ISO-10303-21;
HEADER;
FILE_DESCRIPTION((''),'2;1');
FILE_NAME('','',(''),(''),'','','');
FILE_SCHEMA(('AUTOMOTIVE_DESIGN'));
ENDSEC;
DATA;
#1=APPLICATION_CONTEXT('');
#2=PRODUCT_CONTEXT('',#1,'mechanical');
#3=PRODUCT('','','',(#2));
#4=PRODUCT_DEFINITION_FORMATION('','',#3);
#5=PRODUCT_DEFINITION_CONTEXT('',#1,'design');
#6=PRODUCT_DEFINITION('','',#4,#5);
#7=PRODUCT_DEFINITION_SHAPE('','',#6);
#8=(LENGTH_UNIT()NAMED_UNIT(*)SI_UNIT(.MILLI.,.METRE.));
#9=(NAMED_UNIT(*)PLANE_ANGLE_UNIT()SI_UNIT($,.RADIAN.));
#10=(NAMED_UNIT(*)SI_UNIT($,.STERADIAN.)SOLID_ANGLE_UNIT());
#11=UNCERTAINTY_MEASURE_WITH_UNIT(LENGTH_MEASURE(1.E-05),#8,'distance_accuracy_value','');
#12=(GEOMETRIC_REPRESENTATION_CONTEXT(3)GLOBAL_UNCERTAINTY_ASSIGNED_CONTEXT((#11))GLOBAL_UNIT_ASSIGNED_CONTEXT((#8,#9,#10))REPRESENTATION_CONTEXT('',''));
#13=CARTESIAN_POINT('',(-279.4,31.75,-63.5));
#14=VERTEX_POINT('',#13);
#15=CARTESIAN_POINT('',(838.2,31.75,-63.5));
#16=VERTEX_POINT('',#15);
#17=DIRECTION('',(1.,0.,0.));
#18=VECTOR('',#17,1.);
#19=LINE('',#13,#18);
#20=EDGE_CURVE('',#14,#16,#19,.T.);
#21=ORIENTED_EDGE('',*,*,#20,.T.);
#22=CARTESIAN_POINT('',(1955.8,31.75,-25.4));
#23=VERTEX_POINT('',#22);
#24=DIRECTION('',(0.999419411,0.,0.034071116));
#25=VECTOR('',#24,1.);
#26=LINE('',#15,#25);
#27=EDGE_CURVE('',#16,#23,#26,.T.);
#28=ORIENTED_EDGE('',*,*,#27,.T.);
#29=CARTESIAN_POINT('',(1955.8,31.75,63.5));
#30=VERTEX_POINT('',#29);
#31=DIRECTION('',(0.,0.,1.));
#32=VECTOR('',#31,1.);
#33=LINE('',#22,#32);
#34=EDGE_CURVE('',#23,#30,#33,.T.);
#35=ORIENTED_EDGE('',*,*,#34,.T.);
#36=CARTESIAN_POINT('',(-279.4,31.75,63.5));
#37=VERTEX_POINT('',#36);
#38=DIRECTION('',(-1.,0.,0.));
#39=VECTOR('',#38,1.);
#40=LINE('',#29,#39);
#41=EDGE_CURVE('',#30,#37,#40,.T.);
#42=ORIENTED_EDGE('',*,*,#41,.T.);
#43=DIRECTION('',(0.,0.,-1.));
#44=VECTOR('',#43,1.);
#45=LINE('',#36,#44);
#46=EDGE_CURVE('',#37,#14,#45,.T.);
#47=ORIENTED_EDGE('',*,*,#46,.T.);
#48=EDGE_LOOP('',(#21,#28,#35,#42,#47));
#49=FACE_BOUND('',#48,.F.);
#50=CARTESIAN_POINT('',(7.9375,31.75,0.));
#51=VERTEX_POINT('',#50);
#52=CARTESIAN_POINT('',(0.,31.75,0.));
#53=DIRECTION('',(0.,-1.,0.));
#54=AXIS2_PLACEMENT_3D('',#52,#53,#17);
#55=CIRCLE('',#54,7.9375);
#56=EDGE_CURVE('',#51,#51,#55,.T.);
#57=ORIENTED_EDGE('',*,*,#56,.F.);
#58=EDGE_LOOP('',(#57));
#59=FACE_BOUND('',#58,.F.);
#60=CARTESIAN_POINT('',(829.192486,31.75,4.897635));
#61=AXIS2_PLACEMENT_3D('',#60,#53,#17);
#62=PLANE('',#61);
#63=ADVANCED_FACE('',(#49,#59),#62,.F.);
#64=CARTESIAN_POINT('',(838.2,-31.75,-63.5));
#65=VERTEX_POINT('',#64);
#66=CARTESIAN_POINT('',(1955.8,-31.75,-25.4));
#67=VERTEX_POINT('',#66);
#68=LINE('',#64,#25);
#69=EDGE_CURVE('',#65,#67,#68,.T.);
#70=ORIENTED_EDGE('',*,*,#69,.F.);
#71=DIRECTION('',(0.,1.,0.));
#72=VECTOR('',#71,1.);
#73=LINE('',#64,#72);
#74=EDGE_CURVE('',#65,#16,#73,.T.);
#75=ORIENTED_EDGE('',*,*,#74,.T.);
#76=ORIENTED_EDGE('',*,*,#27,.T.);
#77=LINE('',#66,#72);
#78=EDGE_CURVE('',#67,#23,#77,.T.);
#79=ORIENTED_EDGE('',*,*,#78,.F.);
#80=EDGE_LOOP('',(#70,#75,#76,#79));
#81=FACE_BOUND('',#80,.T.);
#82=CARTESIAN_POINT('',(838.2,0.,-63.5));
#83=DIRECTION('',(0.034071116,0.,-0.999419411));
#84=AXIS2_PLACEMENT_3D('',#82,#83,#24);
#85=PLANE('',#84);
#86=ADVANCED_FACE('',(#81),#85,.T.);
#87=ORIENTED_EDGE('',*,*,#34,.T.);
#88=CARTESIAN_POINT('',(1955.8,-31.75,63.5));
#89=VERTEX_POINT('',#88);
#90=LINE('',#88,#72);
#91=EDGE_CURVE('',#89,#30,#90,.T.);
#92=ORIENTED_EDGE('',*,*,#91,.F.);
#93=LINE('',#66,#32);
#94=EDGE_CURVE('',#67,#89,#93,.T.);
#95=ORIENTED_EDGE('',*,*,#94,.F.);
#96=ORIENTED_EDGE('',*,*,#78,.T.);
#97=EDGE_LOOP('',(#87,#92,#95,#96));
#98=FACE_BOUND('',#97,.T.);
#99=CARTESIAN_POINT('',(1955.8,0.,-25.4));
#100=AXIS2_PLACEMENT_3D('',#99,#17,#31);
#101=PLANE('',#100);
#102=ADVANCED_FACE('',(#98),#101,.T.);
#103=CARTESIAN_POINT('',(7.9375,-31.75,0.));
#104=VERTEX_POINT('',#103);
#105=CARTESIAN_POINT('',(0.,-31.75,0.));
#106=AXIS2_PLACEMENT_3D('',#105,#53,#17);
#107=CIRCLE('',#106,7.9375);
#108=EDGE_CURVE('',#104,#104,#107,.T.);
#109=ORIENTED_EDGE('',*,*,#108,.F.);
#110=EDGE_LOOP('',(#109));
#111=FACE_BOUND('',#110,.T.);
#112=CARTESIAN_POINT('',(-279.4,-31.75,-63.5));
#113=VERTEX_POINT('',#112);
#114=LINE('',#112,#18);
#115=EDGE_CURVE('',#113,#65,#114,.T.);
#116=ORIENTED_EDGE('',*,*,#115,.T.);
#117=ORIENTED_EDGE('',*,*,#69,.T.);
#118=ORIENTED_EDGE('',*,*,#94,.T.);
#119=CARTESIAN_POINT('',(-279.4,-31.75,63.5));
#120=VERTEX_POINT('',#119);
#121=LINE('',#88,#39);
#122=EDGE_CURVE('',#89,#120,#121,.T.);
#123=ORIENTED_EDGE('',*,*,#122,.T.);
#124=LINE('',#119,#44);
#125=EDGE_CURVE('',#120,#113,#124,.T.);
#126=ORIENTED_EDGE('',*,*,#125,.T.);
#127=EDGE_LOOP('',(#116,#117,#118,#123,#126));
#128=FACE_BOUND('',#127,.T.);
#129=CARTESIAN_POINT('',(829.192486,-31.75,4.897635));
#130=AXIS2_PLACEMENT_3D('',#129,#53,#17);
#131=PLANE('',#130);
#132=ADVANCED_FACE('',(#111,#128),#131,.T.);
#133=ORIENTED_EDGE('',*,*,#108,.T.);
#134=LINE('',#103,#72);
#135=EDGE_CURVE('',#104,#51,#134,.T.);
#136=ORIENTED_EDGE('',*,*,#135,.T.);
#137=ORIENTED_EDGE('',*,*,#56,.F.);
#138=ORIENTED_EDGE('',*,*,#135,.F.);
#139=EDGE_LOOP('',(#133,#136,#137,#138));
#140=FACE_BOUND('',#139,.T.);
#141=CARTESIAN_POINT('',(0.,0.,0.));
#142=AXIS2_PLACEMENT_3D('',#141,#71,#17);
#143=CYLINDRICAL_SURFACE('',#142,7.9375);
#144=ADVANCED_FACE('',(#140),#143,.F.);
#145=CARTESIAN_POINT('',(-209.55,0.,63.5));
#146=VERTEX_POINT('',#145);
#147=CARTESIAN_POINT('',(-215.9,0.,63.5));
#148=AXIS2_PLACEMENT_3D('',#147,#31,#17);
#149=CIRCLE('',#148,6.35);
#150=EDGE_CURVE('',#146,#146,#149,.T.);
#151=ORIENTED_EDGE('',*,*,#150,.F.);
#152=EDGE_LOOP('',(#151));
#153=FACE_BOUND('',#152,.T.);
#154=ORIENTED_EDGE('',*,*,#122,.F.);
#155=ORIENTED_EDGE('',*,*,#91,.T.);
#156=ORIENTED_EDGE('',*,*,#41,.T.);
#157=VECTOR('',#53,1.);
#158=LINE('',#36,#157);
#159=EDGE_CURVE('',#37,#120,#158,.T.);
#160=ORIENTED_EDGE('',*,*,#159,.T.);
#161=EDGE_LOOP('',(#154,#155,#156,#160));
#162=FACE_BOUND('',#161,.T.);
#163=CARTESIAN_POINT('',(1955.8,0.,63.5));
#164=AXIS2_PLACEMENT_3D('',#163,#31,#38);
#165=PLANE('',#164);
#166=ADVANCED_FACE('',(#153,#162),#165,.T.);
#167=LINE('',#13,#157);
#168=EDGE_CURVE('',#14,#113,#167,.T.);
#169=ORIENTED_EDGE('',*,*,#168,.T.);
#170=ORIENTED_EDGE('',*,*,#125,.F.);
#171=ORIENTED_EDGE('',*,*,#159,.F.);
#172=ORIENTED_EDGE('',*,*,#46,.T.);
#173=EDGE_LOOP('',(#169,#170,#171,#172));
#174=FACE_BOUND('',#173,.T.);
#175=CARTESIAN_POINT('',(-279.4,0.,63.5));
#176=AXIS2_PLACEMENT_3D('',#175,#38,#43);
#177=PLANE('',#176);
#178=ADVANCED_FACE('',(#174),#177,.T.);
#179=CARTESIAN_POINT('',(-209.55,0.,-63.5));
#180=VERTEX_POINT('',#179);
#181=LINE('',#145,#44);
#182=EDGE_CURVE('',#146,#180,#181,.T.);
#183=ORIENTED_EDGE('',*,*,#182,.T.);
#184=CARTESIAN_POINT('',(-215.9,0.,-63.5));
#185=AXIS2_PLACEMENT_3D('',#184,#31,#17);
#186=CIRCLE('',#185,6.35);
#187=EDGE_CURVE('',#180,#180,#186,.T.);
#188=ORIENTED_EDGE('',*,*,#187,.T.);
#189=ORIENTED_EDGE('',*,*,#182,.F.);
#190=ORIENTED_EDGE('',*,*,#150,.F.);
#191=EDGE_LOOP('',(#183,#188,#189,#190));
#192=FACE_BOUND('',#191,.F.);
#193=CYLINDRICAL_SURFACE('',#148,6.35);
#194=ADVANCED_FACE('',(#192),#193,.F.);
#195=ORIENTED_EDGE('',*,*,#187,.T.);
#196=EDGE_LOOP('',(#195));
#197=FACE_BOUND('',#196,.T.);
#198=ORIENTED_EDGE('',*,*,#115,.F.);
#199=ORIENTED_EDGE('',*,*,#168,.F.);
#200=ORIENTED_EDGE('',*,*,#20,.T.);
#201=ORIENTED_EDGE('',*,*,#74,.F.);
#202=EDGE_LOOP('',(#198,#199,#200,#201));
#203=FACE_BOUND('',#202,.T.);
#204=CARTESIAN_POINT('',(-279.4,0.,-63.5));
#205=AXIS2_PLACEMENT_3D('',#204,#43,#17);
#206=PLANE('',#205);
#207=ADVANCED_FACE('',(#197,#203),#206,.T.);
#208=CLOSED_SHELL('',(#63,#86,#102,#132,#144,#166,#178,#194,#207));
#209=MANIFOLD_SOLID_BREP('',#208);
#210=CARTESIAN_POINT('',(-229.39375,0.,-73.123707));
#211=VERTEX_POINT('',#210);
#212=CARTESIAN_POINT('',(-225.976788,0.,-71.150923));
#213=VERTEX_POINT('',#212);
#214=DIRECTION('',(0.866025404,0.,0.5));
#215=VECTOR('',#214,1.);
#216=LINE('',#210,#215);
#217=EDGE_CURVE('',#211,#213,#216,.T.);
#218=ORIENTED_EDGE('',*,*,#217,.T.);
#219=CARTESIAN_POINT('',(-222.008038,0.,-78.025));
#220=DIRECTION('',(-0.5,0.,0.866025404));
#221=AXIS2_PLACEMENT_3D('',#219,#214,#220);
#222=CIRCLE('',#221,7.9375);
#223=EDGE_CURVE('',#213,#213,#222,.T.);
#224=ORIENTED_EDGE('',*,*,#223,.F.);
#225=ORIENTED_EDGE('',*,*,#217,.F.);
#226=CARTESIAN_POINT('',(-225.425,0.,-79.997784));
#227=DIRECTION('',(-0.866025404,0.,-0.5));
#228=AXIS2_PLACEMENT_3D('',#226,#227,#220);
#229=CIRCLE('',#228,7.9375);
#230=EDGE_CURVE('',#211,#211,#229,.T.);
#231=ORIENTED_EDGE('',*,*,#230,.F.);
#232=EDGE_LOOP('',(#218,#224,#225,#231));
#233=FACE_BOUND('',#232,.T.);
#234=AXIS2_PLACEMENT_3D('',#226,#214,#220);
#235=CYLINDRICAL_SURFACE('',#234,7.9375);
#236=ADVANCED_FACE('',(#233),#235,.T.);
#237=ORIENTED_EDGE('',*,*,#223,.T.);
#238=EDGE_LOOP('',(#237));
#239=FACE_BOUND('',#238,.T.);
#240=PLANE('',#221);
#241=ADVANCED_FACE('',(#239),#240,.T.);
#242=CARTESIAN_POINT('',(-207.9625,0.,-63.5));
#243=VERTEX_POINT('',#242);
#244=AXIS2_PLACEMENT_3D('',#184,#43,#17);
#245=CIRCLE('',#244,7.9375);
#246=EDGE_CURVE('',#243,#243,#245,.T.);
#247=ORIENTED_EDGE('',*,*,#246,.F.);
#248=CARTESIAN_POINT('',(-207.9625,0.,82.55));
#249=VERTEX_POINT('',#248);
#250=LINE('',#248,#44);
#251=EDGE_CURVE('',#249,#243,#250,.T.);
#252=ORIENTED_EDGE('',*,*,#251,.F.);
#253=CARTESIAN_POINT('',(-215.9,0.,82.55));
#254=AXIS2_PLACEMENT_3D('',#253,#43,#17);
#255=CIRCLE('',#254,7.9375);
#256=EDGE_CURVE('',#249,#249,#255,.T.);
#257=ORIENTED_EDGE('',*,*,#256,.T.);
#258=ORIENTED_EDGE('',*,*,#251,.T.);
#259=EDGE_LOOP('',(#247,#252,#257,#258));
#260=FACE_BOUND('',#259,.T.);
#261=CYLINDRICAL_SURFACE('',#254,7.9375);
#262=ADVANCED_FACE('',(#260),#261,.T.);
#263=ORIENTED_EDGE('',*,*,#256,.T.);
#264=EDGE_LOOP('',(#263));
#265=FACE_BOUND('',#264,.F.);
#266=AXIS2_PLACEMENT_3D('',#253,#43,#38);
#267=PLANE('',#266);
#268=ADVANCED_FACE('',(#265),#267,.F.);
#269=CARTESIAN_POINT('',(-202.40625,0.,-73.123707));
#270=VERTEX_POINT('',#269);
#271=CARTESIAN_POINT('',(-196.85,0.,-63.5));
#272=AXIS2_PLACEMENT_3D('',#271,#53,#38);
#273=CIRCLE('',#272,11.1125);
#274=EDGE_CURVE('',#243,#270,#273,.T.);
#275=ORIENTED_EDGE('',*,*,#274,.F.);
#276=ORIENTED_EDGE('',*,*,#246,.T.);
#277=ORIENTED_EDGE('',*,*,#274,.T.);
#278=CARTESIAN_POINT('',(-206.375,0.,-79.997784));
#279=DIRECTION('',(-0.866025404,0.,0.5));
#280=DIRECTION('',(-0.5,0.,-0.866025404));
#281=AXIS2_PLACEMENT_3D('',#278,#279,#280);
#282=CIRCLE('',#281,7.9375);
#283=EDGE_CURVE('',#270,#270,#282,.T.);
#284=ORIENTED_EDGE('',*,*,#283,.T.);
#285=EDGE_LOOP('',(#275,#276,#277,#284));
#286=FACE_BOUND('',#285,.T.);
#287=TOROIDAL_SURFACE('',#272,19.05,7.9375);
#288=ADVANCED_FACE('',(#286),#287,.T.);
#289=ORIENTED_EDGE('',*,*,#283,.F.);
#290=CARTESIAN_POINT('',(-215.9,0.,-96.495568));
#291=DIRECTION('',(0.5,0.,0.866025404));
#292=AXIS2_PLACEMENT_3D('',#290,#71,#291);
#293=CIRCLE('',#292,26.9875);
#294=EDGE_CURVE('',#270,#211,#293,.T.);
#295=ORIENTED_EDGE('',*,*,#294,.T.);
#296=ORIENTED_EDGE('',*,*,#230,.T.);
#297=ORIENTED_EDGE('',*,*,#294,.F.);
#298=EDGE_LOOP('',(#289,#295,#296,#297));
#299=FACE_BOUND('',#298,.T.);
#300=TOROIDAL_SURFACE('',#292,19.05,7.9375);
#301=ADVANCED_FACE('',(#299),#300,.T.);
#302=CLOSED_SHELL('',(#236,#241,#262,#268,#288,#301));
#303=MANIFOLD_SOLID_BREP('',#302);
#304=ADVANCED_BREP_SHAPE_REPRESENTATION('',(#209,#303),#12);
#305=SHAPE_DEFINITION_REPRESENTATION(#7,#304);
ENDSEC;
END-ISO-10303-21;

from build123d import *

# Parameters (mm, degrees)
F0_R     = 7.9375
F1_DEPTH = 31.75
F2_R     = 6.35
F3_DEPTH = 127.001
F6_R     = 7.9375


with BuildPart() as f1:
    # F0 (on Front) → F1 (new body, symmetric)
    with BuildSketch(Plane.XZ):
        Polygon((1955.8, 63.5), (-279.4, 63.5), (-279.4, -63.5), (838.2, -63.5), (1955.8, -25.4), align=None)
        Circle(F0_R, mode=Mode.SUBTRACT)
    extrude(amount=F1_DEPTH, both=True)

    # F2 (on face) → F3 (cut, through all)
    with BuildSketch(Plane.XY.offset(63.5)):
        with Locations((-215.9, 0)):
            Circle(F2_R)
    extrude(amount=-F3_DEPTH, mode=Mode.SUBTRACT)


with BuildPart() as f7:
    # F7: sweep along a path in F4
    with BuildLine(Plane.XZ) as f7_path:
        Line((-215.9, 82.55), (-215.9, -63.5))
        ThreePointArc((-215.9, -63.5), (-213.3477839421, -73.025), (-206.375, -79.9977839421))
        ThreePointArc((-206.375, -79.9977839421), (-215.9, -115.5455678842), (-225.425, -79.9977839421))
        Line((-225.425, -79.9977839421), (-222.0080379799, -78.025))
    # F6 (on line) → F7 (sweep)
    with BuildSketch(Plane(origin=(0, 0, 82.55), x_dir=(1, 0, 0), z_dir=(0, 0, -1))):
        with Locations((-215.9, 0)):
            Circle(F6_R)
    sweep(path=f7_path.line)


solid = Compound([f1.part, f7.part])
